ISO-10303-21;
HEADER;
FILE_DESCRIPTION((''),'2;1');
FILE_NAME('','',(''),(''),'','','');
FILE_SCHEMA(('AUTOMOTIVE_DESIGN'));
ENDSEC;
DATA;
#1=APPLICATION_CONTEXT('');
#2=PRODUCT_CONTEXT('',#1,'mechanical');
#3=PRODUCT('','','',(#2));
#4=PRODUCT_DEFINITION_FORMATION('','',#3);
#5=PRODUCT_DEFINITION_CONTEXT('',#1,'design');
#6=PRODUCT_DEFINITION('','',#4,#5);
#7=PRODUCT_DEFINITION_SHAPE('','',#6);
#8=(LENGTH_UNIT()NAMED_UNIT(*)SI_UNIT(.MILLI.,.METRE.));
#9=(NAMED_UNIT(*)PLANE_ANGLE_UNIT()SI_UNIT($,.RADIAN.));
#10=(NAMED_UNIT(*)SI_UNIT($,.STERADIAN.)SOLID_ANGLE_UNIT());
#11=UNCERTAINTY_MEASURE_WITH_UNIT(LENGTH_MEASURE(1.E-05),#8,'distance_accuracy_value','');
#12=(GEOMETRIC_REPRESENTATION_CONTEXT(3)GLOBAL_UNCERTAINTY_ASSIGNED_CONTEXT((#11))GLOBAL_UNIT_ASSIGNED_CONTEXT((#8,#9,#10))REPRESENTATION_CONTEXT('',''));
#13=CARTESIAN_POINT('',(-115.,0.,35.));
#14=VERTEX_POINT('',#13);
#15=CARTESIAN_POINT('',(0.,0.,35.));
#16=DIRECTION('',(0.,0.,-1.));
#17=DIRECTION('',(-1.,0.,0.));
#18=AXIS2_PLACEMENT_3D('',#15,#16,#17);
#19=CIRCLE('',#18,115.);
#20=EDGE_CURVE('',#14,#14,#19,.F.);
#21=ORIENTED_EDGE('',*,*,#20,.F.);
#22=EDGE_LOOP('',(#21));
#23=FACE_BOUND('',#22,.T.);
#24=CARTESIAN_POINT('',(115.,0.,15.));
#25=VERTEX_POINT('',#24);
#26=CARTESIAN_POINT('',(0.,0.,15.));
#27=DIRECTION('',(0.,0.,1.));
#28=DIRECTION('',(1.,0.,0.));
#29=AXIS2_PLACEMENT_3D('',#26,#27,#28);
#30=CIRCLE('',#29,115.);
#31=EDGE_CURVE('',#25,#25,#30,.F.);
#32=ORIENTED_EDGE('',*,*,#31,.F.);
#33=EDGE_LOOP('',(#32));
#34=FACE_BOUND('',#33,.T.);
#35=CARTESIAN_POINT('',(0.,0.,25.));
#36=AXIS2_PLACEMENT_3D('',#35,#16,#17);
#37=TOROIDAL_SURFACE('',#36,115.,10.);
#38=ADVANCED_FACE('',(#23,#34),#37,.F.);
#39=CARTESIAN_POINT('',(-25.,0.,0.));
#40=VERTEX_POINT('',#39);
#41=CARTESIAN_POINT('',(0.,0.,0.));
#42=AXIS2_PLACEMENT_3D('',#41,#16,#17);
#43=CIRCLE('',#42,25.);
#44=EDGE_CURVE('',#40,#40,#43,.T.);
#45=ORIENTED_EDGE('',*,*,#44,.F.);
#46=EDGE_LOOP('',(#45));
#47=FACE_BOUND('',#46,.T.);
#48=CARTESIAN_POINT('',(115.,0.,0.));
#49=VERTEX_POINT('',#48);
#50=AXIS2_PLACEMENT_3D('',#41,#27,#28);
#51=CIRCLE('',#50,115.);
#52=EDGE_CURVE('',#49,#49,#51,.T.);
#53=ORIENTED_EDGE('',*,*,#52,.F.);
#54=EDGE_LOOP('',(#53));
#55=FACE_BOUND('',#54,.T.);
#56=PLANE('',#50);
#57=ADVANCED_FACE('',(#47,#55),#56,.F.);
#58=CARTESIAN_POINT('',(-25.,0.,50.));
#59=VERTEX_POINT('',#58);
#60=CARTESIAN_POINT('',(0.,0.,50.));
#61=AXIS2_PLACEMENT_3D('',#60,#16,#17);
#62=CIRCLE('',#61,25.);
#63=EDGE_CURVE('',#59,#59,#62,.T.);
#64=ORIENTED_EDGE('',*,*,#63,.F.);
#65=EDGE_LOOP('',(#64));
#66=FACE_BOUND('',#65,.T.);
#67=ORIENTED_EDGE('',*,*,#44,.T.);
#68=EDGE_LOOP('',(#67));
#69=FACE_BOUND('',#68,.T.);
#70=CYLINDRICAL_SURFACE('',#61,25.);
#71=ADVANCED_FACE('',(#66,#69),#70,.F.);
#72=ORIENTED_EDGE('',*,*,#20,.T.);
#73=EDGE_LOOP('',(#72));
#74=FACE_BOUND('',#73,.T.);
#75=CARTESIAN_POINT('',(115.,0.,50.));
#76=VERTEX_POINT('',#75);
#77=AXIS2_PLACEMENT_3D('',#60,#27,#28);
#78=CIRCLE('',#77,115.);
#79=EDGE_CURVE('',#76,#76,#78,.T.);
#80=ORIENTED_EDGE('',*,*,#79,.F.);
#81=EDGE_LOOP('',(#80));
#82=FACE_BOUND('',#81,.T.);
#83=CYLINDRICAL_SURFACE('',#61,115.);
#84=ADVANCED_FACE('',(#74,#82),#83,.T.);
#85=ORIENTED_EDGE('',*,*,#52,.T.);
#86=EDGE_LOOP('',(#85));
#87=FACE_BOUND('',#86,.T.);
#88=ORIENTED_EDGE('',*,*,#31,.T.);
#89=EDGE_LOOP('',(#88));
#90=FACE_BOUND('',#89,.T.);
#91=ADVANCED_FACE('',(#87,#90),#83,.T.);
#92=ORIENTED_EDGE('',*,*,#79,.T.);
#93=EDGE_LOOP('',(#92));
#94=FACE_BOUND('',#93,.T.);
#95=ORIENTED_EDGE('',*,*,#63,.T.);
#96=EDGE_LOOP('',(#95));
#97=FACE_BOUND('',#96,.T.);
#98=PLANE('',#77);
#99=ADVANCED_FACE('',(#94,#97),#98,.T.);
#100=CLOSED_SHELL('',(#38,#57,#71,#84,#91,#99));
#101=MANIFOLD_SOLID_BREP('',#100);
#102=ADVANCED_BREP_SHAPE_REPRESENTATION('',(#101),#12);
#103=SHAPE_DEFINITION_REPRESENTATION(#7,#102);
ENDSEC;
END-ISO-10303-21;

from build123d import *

# Parameters (mm, degrees)
SKETCH1_R           = 115
BOSS_EXTRUDE1_DEPTH = 50
SKETCH2_R           = 10
SKETCH3_R           = 25
CUT_EXTRUDE1_DEPTH  = 171.146995272


with BuildPart() as part:
    # Sketch1 → Boss-Extrude1 (new body)
    with BuildSketch(Plane.XY):
        Circle(SKETCH1_R)
    extrude(amount=BOSS_EXTRUDE1_DEPTH)

    # Sketch2 → Cut-Revolve1 (revolve, cut)
    with BuildSketch(Plane(origin=(0, 0, 0), x_dir=(0, 0, -1), z_dir=(1, 0, 0)), mode=Mode.PRIVATE) as cut_revolve1_sk:
        with Locations((-25, 115)):
            Circle(SKETCH2_R)
    revolve(cut_revolve1_sk.sketch.rotate(Axis((0, 0, 0), (0, 0, 1)), 90), axis=Axis((0, 0, 0), (0, 0, 1)), mode=Mode.SUBTRACT)

    # Sketch3 → Cut-Extrude1 (cut, through all)
    with BuildSketch(Plane(origin=(0, 0, 0), x_dir=(-1, 0, 0), z_dir=(0, 0, -1))):
        Circle(SKETCH3_R)
    extrude(amount=-CUT_EXTRUDE1_DEPTH, mode=Mode.SUBTRACT)


solid = part.part
